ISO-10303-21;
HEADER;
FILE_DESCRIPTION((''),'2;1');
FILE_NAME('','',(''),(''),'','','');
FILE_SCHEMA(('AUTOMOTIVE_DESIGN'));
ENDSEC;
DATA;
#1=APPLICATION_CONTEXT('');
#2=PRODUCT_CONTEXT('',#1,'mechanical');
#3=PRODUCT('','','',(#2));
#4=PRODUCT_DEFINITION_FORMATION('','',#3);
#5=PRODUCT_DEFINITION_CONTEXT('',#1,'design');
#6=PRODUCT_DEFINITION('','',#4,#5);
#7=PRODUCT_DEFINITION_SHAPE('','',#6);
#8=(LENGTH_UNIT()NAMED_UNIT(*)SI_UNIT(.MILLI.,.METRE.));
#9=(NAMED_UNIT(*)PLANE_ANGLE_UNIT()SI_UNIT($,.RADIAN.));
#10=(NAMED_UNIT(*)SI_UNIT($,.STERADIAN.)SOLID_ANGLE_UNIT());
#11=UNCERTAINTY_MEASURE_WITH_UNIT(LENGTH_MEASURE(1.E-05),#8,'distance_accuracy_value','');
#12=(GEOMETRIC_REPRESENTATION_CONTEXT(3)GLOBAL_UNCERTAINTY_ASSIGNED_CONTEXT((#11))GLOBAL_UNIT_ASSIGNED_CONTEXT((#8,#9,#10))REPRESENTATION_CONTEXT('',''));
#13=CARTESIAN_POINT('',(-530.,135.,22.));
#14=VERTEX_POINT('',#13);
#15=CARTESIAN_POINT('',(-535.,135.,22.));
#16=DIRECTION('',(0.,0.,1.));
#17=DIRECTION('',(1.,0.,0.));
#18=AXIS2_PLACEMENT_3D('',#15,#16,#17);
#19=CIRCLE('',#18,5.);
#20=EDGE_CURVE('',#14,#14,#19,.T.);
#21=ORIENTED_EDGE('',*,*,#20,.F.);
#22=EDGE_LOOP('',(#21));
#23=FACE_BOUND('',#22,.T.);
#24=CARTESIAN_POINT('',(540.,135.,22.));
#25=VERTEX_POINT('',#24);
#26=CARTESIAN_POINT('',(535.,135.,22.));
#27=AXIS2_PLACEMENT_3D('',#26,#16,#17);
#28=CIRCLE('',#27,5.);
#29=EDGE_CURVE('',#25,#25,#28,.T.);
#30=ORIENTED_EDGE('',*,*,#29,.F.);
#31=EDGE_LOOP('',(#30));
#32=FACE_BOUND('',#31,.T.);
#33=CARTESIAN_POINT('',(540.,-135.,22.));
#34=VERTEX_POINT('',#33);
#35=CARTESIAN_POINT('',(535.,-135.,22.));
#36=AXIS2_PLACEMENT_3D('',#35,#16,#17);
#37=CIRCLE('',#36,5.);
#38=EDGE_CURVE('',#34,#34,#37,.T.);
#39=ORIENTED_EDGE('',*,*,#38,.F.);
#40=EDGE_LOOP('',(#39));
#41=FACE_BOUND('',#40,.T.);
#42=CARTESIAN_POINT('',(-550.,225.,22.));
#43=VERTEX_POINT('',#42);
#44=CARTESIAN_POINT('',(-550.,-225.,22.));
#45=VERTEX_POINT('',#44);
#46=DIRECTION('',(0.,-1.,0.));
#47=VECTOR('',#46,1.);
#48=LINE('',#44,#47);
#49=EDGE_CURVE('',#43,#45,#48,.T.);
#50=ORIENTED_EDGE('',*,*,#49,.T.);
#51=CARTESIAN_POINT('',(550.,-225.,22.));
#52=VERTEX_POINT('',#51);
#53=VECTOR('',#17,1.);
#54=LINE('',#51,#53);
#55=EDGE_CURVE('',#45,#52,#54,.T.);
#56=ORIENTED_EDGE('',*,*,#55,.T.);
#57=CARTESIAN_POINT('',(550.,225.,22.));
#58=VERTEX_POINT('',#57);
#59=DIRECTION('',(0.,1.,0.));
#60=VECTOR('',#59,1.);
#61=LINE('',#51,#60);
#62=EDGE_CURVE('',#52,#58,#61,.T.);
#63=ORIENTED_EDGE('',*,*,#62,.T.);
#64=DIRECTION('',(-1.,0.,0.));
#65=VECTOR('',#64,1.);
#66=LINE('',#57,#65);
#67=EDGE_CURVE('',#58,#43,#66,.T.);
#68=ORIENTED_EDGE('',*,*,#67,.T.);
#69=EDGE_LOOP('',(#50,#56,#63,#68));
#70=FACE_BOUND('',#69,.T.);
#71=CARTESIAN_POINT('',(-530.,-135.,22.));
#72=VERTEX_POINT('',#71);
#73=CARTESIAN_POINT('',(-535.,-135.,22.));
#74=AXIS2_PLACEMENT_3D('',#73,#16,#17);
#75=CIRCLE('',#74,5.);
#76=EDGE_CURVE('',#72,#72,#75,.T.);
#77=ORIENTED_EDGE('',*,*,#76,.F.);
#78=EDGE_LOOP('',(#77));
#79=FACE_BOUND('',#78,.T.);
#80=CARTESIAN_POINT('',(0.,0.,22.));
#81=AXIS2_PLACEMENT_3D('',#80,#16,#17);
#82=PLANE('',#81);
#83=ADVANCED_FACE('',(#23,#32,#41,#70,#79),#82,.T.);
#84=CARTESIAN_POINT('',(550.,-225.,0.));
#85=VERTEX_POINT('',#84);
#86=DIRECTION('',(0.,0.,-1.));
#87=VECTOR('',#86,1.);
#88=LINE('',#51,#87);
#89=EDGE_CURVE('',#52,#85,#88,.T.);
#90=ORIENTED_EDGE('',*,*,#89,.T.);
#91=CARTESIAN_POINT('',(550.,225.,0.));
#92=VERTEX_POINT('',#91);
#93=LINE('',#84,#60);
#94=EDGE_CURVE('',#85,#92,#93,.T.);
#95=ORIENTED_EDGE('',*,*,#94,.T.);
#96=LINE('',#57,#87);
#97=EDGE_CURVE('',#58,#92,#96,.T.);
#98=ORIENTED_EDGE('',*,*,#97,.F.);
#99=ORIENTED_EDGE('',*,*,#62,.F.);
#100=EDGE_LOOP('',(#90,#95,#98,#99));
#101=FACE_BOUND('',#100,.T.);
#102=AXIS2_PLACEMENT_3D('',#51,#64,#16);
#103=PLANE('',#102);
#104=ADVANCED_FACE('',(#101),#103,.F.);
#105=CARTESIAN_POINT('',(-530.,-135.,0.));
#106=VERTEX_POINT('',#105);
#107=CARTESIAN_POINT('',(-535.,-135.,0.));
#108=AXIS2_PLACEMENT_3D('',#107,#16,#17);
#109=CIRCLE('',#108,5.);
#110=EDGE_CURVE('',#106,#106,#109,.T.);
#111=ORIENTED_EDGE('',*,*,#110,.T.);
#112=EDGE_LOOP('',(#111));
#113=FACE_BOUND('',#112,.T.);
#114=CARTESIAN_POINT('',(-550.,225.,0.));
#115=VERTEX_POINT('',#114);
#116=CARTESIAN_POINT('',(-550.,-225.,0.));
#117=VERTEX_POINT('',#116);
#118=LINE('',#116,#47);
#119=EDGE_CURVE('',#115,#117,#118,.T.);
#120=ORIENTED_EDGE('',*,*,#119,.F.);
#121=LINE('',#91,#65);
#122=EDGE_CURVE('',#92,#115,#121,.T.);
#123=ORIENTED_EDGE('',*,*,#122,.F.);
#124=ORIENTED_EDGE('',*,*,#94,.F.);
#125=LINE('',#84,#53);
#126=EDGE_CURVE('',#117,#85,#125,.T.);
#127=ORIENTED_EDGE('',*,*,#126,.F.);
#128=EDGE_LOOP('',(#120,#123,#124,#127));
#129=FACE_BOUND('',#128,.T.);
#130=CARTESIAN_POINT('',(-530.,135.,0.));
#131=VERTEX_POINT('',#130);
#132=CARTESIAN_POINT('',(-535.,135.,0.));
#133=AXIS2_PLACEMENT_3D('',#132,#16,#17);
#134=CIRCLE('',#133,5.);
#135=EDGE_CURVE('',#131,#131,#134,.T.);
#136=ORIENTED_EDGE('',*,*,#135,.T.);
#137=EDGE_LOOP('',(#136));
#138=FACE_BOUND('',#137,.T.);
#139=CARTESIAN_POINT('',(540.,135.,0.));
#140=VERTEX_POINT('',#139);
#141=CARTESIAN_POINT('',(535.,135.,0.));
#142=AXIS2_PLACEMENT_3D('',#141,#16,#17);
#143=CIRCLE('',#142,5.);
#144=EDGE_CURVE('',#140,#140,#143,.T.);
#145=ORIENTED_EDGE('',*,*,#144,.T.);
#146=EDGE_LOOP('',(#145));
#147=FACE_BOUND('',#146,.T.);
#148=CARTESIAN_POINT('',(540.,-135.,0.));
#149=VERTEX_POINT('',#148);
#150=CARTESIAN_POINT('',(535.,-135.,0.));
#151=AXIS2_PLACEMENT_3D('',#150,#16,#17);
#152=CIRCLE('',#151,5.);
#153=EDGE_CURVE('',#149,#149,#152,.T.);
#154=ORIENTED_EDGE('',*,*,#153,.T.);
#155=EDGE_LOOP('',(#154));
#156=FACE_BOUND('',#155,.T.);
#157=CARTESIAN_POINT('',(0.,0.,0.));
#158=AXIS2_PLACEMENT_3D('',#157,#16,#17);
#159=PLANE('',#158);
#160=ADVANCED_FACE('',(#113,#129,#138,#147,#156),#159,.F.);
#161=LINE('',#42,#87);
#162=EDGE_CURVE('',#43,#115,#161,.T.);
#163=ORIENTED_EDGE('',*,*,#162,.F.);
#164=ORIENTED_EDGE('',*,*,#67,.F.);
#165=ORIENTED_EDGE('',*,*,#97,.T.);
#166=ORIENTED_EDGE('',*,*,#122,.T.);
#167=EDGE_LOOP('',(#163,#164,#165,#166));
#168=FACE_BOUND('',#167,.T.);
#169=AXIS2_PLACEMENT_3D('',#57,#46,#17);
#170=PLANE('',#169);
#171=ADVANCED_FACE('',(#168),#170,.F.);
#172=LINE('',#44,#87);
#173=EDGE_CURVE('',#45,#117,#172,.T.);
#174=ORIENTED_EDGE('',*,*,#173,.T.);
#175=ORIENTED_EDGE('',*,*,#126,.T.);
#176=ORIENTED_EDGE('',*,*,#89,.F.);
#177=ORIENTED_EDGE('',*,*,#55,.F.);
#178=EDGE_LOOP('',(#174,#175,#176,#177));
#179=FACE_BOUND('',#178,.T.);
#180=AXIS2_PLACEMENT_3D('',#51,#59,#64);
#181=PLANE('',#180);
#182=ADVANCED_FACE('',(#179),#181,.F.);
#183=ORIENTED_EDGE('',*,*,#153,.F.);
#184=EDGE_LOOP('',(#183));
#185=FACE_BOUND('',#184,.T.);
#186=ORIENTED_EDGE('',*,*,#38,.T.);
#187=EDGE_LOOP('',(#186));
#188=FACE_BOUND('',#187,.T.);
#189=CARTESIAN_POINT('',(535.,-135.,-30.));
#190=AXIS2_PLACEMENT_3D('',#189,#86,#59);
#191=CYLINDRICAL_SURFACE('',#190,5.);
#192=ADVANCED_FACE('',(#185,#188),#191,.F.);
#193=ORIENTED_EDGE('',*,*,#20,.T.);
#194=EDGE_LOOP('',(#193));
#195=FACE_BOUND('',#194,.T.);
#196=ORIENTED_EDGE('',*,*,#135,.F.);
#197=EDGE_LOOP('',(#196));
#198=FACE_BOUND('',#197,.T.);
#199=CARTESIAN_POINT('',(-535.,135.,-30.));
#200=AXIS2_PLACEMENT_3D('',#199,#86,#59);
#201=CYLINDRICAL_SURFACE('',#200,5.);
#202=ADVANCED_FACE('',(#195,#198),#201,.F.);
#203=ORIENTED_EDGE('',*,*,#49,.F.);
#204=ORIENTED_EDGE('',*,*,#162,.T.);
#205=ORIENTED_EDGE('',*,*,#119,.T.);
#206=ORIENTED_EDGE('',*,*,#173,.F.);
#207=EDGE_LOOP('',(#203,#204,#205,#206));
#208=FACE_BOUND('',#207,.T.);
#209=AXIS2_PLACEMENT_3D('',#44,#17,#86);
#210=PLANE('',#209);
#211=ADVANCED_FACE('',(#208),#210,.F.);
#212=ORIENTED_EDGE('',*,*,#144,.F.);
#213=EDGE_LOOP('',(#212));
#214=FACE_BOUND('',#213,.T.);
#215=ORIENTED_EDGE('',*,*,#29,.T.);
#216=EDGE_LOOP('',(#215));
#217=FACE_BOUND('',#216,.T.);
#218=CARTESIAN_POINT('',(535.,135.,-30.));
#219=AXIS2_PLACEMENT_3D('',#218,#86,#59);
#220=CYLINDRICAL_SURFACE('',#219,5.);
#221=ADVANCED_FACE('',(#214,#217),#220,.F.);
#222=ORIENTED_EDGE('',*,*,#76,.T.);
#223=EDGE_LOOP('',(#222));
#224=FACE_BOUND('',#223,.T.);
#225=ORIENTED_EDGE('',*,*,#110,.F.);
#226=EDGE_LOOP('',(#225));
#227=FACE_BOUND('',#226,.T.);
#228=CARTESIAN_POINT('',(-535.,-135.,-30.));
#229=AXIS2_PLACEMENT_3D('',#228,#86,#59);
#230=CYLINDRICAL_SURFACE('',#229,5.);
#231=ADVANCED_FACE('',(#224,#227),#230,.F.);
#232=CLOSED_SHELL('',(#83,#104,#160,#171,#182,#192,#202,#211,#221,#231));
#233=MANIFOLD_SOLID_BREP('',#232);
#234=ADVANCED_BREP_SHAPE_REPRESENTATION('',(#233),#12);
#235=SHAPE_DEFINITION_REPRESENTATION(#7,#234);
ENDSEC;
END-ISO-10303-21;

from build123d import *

# Parameters (mm, degrees)
ESQUISSE1_W          = 1100
ESQUISSE1_H          = 450
BOSS_EXTRU_1_DEPTH   = 22
D_GAGEMENT_M81_D     = 10
D_GAGEMENT_M81_DEPTH = 120
D_GAGEMENT_M81_TIP   = 3.004303095


with BuildPart() as part:
    # Esquisse1 → Boss.-Extru.1 (new body)
    with BuildSketch(Plane.XY):
        Rectangle(ESQUISSE1_W, ESQUISSE1_H)
    extrude(amount=BOSS_EXTRU_1_DEPTH)

    # Dégagement M81
    with Locations(Plane(origin=(360, -240, -30), x_dir=(-1, 0, 0), z_dir=(0, 0, -1))):
        with Locations((895, 375), (895, 105), (-175, 375), (-175, 105)):
            Hole(D_GAGEMENT_M81_D / 2, depth=D_GAGEMENT_M81_DEPTH)
            with Locations((0, 0, -(D_GAGEMENT_M81_DEPTH + D_GAGEMENT_M81_TIP / 2))):  # 118° drill point
                Cone(0, D_GAGEMENT_M81_D / 2, D_GAGEMENT_M81_TIP, mode=Mode.SUBTRACT)


solid = part.part
